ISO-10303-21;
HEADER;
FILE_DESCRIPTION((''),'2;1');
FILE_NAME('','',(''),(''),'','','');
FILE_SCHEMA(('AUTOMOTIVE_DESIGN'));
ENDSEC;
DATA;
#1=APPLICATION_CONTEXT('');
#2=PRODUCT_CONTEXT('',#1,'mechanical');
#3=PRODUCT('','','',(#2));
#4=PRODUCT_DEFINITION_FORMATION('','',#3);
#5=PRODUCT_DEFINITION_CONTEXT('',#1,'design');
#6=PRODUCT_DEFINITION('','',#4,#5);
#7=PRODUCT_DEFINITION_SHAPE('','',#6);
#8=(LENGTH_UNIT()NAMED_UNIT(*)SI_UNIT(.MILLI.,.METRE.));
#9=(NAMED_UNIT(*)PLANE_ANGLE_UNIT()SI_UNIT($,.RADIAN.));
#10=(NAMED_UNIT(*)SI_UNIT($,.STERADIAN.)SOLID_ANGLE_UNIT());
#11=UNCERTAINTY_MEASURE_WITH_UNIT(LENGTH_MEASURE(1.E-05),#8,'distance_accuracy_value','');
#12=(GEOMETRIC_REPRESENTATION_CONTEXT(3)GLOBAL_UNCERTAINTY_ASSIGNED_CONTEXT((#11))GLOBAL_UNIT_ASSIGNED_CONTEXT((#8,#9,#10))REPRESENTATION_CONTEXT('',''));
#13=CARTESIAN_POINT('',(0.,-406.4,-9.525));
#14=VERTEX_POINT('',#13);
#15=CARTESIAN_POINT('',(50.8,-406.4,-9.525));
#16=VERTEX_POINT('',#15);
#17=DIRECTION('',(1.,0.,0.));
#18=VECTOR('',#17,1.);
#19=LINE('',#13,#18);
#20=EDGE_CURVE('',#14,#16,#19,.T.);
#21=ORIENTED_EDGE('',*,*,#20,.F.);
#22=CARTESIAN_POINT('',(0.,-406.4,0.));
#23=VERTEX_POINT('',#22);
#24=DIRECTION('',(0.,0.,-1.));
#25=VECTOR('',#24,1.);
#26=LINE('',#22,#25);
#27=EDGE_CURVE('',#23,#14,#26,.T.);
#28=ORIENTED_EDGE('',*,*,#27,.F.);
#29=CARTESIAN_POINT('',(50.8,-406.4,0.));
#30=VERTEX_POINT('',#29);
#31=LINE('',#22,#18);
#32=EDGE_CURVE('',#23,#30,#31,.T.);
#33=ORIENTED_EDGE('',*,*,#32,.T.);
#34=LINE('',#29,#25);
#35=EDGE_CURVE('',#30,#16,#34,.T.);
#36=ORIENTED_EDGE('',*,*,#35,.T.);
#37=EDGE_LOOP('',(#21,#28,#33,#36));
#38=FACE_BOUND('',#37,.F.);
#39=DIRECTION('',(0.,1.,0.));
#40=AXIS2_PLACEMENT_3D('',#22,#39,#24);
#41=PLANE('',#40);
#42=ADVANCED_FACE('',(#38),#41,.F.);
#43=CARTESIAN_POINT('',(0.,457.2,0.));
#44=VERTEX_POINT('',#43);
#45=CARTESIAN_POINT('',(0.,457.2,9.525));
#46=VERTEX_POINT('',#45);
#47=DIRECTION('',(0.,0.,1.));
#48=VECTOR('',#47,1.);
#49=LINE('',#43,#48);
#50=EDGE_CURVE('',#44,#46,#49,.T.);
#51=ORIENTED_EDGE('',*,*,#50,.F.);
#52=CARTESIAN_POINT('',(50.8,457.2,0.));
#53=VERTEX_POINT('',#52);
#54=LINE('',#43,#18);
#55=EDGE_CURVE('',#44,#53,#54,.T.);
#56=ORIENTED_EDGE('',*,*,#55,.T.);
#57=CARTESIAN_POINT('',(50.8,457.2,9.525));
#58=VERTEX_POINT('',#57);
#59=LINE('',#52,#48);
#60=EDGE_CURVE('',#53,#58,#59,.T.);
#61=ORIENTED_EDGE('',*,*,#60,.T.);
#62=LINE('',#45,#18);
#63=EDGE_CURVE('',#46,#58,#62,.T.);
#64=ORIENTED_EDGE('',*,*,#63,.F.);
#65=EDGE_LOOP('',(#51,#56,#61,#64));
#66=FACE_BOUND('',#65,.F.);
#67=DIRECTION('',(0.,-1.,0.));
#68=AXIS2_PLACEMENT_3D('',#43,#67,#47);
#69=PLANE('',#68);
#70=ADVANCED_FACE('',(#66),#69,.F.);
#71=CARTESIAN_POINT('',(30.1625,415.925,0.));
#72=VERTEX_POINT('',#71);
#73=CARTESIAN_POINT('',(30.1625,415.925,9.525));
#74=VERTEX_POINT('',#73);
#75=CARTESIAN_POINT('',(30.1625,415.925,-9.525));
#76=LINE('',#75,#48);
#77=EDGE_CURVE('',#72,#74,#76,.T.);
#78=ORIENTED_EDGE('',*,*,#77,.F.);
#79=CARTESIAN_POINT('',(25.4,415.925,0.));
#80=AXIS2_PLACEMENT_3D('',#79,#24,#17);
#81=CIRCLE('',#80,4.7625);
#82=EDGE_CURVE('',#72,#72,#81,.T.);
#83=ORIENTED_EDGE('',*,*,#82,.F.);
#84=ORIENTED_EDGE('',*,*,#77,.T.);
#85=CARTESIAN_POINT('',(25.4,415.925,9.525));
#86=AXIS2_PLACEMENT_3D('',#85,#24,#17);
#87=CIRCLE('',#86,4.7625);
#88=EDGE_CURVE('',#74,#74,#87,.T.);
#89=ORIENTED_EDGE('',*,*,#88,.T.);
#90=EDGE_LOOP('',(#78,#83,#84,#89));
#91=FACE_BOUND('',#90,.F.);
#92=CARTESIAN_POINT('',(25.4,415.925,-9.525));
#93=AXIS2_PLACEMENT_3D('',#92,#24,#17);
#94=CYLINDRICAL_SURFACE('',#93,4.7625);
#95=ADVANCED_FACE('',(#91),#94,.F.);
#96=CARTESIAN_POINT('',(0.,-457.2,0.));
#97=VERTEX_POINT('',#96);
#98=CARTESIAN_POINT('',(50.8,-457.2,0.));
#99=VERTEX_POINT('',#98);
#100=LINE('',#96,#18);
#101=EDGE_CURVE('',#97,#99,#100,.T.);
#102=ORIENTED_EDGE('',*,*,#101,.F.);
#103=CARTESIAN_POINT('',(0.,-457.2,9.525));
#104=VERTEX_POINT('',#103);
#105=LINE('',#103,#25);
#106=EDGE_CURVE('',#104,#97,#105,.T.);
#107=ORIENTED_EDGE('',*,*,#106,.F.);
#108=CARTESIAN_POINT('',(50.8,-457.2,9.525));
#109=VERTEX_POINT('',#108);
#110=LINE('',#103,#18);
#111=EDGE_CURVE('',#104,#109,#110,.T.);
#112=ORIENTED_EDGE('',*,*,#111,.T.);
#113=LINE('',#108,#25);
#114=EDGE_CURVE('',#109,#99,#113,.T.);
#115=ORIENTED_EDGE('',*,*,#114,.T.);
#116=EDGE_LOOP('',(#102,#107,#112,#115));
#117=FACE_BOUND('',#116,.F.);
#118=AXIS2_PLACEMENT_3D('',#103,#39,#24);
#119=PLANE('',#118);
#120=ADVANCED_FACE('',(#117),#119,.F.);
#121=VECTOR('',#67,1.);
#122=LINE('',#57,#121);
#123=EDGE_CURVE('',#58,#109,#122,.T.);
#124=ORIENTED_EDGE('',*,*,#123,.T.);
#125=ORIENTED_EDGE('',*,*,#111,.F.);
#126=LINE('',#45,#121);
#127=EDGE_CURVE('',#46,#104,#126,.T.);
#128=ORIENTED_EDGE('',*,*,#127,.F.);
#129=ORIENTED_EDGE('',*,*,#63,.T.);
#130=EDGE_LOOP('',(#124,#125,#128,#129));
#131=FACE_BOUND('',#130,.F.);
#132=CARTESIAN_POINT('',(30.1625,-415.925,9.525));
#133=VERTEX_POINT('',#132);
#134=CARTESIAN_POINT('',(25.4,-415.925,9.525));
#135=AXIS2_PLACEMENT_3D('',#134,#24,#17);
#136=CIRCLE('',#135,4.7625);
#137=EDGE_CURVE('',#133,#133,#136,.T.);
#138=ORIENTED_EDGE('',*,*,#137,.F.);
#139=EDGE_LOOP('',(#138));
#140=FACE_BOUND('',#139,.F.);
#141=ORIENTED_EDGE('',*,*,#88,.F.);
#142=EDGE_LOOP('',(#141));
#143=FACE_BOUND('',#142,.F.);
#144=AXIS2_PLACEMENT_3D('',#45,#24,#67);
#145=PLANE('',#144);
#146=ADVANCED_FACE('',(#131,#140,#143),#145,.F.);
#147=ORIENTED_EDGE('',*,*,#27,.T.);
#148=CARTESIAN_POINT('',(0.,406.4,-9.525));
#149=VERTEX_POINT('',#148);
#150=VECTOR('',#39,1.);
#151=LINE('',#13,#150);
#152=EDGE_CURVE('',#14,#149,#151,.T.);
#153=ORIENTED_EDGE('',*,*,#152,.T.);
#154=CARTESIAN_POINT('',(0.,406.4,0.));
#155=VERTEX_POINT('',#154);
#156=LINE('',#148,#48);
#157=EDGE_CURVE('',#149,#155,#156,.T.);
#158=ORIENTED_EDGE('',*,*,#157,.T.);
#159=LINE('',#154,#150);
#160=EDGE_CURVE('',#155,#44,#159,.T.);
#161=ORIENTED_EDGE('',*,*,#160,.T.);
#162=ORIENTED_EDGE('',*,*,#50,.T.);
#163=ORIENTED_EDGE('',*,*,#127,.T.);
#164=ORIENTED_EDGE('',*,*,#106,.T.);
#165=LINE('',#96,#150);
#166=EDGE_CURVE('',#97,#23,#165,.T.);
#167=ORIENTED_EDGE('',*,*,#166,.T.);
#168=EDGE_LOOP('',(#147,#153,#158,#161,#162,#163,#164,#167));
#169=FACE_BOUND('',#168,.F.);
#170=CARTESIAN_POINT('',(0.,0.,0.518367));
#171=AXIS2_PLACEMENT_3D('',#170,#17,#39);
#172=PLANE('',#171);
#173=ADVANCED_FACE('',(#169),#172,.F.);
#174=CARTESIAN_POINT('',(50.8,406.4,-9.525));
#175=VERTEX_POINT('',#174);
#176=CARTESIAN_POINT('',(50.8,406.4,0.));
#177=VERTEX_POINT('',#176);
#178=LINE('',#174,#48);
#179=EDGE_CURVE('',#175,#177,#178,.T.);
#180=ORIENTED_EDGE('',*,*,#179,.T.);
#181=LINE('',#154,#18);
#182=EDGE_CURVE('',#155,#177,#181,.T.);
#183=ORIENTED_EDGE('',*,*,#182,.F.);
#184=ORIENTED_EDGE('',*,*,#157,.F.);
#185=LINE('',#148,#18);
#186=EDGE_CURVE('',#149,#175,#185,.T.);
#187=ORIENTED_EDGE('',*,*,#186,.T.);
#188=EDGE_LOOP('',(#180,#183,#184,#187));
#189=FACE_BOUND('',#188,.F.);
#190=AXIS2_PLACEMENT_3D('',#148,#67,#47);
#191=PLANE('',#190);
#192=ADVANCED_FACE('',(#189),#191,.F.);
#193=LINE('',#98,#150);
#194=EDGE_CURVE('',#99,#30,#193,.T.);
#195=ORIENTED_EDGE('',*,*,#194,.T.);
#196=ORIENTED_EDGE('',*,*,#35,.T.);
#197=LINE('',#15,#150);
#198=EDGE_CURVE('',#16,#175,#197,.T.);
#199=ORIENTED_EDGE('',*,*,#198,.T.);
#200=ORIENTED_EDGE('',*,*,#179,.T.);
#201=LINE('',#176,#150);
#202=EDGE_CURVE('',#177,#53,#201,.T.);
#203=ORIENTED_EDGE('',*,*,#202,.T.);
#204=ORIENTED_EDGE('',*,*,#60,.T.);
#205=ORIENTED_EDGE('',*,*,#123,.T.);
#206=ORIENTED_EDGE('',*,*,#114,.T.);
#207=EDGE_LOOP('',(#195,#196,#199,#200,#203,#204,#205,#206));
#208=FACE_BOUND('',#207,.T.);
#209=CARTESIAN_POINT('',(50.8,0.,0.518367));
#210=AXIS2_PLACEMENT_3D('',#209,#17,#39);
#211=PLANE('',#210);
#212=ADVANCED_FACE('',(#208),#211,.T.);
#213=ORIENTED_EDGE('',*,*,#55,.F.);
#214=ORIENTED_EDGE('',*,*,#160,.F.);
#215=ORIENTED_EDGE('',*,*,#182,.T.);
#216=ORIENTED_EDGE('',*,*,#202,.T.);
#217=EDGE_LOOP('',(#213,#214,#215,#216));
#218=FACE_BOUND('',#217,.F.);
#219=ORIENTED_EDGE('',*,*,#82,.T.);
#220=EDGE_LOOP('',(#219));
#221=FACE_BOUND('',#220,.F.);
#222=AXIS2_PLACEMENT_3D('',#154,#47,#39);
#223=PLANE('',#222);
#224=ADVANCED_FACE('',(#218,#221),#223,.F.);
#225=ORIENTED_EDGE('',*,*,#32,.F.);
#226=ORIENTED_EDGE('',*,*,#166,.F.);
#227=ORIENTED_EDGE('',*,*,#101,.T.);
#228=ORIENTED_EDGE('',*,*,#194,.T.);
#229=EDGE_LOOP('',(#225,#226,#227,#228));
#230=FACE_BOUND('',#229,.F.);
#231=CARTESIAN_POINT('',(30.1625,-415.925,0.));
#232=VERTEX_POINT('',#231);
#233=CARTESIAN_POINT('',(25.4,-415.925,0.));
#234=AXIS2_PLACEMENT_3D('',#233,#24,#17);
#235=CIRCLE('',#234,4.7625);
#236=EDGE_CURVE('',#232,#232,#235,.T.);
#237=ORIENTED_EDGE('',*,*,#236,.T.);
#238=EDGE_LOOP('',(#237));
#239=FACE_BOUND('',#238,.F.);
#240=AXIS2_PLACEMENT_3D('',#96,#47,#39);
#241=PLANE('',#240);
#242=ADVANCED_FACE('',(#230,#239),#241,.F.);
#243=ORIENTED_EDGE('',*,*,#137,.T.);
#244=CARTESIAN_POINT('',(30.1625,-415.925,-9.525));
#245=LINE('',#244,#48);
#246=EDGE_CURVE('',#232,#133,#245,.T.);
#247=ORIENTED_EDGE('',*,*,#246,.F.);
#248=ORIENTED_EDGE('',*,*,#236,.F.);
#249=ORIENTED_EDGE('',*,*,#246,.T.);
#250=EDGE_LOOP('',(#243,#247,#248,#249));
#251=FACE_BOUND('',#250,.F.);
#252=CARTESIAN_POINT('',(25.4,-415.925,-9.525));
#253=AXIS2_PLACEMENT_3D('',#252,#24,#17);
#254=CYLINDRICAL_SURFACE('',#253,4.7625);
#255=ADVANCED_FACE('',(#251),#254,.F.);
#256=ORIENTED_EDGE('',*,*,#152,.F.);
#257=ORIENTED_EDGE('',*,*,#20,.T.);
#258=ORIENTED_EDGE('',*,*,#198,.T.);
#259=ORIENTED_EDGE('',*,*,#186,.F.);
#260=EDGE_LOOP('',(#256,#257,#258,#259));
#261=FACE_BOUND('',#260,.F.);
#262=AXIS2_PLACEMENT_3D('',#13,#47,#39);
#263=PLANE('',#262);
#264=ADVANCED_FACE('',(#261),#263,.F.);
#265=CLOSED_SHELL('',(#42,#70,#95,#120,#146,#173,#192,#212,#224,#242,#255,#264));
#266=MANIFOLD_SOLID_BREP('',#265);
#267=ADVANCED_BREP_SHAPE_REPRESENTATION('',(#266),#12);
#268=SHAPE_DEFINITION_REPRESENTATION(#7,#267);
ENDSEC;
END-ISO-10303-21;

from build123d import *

# Parameters (mm, degrees)
F1_DEPTH = 50.8
F2_R     = 4.7625
F3_DEPTH = 25.4


with BuildPart() as f1:
    # F0 (on Right) → F1 (new body)
    with BuildSketch(Plane.YZ):
        Polygon((-406.4, 0), (-406.4, -9.525), (406.4, -9.525), (406.4, 0), (457.2, 0), (457.2, 9.525), (-457.2, 9.525), (-457.2, 0), align=None)
    extrude(amount=F1_DEPTH)

    # F2 (on face) → F3 (cut)
    with BuildSketch(Plane(origin=(0, 0, -9.525), x_dir=(1, 0, 0), z_dir=(0, 0, -1))):
        with Locations((25.4, -415.925)):
            Circle(F2_R)
        with Locations((25.4, 415.925)):
            Circle(F2_R)
    extrude(amount=-F3_DEPTH, mode=Mode.SUBTRACT)


solid = f1.part
